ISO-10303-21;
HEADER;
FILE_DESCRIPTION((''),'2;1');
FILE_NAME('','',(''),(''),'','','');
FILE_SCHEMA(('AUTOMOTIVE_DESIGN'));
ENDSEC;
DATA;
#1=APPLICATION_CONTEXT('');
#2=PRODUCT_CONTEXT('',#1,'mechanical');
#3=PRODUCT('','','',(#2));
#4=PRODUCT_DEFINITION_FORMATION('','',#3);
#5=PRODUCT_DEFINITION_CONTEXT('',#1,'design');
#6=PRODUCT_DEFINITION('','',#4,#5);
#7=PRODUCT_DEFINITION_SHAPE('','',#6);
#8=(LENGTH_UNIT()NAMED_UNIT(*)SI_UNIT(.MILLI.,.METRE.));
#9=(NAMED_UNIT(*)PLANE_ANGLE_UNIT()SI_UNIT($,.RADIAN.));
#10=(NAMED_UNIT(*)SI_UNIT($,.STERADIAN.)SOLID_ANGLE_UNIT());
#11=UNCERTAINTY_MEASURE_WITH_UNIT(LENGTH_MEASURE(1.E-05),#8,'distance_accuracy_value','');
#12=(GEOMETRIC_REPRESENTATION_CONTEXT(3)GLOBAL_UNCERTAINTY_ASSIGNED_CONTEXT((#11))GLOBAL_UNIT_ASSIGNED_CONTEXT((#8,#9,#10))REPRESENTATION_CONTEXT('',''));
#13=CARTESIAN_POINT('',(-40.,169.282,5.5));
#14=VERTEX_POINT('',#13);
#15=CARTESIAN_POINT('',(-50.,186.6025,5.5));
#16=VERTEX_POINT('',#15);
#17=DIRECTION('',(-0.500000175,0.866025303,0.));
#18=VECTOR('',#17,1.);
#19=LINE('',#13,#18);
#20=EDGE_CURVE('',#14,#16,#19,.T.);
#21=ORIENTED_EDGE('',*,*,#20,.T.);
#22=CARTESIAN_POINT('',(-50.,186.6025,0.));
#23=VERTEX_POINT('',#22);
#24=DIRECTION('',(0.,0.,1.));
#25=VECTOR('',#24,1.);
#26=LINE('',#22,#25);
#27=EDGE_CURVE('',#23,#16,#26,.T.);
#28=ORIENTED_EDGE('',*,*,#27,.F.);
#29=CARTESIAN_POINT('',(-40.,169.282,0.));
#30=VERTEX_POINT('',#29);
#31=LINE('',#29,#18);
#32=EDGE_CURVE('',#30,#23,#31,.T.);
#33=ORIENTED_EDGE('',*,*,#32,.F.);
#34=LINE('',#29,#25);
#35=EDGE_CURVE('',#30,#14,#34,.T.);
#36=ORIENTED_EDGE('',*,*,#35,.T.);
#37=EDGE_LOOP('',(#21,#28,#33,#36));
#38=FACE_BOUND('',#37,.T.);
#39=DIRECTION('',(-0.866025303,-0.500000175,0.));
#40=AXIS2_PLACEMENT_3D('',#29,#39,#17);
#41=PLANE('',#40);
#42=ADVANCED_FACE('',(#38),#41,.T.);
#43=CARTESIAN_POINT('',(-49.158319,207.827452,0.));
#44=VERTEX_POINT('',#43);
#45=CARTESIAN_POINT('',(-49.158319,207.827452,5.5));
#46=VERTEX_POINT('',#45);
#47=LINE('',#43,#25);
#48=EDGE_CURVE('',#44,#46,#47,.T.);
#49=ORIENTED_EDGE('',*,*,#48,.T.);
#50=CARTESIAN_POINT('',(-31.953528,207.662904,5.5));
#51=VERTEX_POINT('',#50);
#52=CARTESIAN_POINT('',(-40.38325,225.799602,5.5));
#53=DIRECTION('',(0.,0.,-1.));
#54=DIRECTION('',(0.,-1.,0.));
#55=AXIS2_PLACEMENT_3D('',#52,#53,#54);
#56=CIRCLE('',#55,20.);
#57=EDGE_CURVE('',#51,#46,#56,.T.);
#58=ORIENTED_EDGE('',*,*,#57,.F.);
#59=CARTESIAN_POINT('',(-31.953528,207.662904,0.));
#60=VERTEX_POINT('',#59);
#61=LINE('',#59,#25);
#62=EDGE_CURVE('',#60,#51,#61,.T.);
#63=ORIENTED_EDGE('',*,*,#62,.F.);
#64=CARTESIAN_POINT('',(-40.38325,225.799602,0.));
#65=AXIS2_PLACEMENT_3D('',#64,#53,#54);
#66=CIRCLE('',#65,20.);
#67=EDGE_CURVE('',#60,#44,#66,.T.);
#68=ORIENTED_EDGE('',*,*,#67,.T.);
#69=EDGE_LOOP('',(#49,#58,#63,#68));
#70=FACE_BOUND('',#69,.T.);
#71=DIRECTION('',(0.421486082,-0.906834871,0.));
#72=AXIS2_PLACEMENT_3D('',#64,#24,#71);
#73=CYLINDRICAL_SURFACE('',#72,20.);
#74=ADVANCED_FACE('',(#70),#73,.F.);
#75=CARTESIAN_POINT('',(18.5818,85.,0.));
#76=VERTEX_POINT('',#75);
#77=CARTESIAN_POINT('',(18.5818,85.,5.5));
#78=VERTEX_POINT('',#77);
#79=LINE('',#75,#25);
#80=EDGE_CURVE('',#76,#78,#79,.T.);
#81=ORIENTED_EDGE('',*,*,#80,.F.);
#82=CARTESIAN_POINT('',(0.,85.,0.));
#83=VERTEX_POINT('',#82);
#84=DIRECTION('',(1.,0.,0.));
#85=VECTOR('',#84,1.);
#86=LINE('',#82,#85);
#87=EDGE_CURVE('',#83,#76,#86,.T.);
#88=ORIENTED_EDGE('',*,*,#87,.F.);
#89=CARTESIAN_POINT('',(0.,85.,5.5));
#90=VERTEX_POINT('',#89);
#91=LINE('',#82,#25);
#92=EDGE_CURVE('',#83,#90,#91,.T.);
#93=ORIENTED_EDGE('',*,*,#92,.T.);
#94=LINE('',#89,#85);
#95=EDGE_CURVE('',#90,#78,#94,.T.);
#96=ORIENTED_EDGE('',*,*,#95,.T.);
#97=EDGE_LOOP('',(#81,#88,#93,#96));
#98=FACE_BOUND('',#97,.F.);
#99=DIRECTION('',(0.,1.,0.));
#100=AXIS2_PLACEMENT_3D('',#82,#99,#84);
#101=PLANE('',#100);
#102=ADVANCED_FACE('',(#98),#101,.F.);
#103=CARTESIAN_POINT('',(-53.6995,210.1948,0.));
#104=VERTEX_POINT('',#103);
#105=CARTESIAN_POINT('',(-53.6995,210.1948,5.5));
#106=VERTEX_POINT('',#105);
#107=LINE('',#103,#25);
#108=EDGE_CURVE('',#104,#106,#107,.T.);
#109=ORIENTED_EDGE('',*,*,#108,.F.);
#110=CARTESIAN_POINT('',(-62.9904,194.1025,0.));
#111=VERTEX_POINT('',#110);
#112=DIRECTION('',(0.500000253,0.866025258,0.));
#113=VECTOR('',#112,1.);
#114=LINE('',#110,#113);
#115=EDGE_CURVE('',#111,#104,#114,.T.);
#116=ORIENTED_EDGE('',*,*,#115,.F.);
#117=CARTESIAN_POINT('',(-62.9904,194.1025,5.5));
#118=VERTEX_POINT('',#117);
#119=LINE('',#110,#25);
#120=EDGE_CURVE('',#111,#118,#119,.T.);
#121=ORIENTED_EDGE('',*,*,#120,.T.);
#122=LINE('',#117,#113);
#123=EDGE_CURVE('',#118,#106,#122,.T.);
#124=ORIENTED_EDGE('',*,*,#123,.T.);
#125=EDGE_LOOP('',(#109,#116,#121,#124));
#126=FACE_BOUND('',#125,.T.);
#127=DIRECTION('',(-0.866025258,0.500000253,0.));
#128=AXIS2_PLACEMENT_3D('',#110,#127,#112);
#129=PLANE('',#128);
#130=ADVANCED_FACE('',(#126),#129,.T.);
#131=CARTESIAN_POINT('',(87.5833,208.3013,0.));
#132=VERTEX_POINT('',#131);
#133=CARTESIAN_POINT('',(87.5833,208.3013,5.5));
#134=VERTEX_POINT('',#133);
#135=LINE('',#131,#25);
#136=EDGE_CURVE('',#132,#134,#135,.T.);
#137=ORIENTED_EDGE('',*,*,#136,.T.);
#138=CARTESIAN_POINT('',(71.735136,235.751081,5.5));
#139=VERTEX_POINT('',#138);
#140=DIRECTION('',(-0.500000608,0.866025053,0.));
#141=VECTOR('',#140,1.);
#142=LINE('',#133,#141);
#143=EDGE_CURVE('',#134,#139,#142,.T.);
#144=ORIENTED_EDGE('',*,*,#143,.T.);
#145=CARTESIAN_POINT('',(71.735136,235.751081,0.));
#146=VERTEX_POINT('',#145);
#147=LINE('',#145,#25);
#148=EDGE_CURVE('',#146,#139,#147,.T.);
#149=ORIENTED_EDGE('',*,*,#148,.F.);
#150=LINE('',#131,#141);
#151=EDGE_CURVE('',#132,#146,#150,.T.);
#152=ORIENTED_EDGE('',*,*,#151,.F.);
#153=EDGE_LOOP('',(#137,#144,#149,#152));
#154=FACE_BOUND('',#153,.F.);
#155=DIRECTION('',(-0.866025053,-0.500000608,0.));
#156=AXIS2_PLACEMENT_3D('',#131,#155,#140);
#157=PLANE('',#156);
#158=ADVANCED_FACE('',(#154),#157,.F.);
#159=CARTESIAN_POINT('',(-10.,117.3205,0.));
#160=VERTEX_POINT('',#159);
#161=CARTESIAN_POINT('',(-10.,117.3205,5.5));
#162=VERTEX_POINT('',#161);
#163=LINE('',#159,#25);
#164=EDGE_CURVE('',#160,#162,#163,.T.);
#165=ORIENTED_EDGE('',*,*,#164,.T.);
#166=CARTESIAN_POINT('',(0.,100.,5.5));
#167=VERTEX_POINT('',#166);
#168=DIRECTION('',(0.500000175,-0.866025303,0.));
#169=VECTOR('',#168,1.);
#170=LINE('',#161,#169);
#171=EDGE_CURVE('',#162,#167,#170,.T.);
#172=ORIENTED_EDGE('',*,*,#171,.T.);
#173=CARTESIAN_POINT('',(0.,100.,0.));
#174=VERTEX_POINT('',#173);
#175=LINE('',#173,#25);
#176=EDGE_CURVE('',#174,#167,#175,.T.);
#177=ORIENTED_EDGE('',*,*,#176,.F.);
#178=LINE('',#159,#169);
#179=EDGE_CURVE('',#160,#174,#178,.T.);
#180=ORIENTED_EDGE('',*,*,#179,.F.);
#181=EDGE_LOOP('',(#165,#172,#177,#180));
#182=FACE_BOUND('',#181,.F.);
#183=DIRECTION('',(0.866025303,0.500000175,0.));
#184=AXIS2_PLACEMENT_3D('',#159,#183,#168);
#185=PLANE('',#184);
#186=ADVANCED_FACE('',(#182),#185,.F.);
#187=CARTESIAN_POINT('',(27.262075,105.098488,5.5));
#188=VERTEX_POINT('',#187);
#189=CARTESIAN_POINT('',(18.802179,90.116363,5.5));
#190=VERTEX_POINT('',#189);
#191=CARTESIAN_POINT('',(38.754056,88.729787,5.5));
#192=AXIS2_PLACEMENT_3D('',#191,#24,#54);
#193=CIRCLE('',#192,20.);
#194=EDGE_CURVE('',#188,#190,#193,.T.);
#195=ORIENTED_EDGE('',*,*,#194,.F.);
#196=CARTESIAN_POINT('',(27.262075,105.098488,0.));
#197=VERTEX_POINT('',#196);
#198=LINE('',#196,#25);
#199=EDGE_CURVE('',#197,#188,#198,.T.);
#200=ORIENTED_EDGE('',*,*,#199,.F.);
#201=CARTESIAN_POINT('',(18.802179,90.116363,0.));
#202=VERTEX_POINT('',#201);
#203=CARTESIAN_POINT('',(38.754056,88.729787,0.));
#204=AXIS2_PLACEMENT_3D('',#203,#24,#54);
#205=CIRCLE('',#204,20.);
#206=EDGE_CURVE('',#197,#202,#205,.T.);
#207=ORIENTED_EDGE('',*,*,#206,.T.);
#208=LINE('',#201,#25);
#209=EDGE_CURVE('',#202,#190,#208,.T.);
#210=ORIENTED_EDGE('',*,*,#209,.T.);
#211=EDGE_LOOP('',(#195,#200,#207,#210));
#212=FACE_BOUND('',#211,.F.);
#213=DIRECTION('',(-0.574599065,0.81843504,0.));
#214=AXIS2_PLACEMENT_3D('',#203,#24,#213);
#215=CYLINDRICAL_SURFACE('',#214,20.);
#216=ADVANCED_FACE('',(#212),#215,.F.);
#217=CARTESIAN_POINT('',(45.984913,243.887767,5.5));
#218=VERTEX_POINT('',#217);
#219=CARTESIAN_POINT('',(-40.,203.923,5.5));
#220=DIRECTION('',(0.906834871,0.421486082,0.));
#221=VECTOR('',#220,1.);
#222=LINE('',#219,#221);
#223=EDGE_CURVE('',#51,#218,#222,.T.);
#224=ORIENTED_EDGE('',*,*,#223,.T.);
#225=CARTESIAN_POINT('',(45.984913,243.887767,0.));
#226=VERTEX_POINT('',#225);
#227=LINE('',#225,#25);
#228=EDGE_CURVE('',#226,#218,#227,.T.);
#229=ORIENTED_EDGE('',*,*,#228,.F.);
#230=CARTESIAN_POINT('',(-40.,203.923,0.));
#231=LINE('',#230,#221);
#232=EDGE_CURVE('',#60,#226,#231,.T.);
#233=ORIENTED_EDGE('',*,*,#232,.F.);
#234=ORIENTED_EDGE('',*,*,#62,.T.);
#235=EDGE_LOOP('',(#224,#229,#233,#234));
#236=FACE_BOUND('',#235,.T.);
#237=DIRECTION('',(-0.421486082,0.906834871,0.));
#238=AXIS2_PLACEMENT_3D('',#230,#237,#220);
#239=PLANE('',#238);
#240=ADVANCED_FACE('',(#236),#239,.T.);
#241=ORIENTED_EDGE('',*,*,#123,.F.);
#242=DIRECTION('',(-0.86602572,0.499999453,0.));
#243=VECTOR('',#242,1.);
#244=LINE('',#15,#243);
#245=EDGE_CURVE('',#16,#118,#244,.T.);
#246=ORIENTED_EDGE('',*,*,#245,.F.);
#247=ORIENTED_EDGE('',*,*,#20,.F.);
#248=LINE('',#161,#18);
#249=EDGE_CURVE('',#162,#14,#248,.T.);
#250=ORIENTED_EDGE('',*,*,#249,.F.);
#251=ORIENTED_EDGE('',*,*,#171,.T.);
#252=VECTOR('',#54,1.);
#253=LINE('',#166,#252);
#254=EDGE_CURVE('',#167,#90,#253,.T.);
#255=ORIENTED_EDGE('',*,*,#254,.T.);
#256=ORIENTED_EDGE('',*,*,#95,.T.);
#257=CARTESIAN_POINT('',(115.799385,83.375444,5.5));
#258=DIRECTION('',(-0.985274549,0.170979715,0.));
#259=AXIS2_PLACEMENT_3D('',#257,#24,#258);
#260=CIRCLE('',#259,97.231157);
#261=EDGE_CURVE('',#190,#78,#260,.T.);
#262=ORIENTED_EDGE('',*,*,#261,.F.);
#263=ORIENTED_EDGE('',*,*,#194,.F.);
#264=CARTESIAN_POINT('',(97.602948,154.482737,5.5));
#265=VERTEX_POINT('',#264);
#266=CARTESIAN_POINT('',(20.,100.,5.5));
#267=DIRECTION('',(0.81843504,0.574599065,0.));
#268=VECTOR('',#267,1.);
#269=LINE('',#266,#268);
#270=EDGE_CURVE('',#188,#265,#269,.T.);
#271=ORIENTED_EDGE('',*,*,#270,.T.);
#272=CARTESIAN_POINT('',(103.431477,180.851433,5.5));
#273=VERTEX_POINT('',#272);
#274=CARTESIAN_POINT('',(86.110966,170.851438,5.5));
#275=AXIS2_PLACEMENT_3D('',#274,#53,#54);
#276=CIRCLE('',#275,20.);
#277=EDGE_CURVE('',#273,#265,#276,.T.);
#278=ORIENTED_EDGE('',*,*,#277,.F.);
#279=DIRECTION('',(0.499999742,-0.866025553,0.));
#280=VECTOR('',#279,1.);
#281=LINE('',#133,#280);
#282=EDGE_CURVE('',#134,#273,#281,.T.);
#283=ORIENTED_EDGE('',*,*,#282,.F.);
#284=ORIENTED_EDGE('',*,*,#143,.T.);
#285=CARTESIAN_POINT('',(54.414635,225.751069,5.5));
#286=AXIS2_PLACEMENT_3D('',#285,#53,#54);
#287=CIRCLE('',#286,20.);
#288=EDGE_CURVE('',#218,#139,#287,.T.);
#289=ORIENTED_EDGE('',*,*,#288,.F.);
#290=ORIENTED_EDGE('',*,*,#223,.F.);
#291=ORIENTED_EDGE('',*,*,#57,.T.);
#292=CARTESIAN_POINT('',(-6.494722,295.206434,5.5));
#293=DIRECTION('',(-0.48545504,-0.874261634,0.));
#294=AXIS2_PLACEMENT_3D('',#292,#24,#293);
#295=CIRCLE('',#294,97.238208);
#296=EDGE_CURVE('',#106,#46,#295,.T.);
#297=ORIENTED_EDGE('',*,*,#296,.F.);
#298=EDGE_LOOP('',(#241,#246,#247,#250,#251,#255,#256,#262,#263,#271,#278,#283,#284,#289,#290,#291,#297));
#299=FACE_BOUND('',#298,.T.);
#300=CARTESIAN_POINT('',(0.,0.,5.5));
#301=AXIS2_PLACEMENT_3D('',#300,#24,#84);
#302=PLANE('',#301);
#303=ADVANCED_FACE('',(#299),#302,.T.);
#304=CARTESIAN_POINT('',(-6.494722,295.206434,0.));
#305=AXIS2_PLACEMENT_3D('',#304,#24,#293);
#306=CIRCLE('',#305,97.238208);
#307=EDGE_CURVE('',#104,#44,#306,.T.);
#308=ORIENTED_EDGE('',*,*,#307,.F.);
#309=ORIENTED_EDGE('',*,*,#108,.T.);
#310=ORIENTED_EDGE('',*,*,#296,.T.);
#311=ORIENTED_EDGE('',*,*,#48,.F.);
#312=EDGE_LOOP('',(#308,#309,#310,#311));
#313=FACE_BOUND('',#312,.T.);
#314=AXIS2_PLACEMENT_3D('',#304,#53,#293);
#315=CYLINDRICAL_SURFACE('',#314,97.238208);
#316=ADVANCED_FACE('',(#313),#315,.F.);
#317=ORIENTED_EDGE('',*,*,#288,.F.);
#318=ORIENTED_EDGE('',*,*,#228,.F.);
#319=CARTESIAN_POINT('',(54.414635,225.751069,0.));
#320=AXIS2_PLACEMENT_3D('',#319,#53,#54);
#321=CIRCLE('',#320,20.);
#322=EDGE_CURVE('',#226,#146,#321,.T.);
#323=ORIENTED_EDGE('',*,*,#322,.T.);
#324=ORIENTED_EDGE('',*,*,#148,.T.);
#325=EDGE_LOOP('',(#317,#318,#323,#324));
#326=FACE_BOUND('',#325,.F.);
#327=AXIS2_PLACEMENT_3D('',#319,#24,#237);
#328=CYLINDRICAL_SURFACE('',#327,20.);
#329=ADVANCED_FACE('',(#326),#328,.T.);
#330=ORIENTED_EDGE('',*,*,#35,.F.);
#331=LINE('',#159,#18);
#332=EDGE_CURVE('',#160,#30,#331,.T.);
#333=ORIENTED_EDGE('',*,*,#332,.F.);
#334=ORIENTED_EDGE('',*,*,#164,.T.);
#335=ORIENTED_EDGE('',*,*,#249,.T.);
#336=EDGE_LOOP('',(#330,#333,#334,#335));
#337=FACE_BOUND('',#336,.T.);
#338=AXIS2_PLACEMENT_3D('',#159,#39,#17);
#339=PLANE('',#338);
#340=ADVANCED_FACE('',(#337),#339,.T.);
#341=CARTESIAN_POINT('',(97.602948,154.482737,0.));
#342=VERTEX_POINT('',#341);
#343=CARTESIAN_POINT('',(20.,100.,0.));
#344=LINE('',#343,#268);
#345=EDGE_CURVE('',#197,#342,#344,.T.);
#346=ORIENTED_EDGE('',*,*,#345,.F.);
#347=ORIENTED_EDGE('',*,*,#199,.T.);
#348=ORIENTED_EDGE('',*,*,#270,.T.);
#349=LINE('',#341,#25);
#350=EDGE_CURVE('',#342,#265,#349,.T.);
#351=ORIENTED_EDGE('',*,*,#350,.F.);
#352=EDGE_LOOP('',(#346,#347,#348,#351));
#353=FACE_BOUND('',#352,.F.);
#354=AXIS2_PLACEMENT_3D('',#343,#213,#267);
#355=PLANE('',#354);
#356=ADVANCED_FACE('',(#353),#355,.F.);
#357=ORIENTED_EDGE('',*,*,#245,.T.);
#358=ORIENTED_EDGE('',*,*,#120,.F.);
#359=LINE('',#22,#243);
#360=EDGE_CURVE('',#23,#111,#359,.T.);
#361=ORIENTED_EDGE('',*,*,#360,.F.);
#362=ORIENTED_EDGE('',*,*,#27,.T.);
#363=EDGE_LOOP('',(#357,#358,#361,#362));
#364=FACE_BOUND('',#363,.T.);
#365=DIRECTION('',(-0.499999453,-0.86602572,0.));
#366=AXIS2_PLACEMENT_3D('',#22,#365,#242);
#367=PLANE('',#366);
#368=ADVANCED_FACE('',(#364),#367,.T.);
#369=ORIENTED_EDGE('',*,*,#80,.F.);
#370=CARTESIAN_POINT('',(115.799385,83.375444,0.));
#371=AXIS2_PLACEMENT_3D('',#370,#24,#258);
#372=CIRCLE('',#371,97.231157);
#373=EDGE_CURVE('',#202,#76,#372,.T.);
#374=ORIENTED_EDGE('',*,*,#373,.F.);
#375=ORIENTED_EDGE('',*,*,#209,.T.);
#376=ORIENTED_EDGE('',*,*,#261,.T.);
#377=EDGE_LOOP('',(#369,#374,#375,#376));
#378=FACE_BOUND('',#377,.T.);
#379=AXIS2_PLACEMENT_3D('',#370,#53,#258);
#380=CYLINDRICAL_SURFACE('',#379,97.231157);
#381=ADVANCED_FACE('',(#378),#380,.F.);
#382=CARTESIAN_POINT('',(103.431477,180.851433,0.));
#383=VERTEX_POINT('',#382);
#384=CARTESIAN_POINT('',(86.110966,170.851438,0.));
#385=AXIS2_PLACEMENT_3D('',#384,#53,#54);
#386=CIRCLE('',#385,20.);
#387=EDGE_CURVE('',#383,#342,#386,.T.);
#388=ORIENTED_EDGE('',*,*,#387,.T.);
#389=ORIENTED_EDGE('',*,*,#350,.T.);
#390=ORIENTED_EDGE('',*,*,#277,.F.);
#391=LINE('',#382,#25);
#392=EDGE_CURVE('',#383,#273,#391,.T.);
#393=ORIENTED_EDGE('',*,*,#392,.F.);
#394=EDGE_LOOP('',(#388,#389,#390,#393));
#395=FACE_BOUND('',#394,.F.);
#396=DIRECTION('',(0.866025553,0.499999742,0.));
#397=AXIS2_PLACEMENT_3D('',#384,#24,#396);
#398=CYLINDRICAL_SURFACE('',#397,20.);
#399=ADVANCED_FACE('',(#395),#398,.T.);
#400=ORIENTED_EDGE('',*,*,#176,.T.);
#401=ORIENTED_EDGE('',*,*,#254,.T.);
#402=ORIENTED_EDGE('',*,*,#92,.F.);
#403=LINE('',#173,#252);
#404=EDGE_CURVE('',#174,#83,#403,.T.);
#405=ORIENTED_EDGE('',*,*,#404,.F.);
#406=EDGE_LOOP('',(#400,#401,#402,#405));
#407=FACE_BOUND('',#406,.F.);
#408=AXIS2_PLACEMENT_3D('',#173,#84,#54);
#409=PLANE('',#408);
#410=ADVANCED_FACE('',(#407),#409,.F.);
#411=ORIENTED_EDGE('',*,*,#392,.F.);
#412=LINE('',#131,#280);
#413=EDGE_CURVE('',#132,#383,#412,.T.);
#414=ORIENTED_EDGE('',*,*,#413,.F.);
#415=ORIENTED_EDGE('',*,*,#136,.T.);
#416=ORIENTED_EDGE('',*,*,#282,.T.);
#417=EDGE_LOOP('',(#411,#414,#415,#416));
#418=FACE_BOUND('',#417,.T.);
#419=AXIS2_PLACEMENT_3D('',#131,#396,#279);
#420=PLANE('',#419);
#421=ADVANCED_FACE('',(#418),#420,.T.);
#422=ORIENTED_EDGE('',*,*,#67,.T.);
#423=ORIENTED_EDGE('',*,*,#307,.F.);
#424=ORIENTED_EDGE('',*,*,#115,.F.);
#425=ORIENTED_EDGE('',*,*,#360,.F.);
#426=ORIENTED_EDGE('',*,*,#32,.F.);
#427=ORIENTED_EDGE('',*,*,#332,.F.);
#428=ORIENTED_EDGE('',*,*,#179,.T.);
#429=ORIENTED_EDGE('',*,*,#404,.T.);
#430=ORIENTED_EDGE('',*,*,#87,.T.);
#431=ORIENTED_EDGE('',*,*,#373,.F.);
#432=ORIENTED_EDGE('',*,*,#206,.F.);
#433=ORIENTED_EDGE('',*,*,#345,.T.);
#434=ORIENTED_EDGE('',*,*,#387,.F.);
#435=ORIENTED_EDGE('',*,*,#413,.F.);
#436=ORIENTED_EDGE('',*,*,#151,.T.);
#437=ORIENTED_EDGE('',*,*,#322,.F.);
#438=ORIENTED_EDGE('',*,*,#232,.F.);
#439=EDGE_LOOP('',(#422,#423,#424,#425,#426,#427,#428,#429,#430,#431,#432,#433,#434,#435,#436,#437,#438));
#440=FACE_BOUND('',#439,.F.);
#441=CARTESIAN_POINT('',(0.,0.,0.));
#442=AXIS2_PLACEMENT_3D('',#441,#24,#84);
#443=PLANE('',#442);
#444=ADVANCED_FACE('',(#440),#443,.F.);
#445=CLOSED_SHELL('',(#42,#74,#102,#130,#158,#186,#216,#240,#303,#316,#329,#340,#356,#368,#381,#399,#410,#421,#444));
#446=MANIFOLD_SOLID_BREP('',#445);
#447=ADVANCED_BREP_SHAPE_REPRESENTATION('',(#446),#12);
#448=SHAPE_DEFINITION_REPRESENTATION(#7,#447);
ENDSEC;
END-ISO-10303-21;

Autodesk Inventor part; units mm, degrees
ref_plane "YZ Plane" through (0, 0, 0) normal (1, 0, 0) x (0, 1, 0)
ref_plane "XZ Plane" through (0, 0, 0) normal (0, 1, 0) x (-1, 0, 0)
ref_plane "XY Plane" through (0, 0, 0) normal (0, 0, 1) x (1, 0, 0)
sketch "Sketch1" plane through (0, 0, 0) normal (0, 0, 1) x (1, 0, 0)
  arc A0 (20, 100) -> (18.5818, 85) centre (115.8042, 83.3748) ccw
  arc A1 (-53.6995, 210.1948) -> (-40, 203.923) centre (-6.4957, 295.2045) ccw
  line L0 (-10, 117.3205) -> (0, 100)
  line L1 (-40, 169.282) -> (-50, 186.6025)
  line L2 (0, 100) -> (0, 85)
  line L3 (0, 85) -> (18.5818, 85)
  line L4 (-10, 117.3205) -> (-40, 169.282)
  line L5 (-50, 186.6025) -> (-62.9904, 194.1025)
  line L6 (-62.9904, 194.1025) -> (-53.6995, 210.1948)
  line L7 (87.5833, 208.3013) -> (62.5833, 251.6025)
  line L8 (87.5833, 208.3013) -> (112.5833, 165)
  line L9 (-40, 203.923) -> (62.5833, 251.6025)
  line L10 (20, 100) -> (112.5833, 165)
  dimension "d14" = 15
  dimension "d47" = 15
  dimension "d49" = 50
  dimension "d50" = 50
extrude "Extrusion4" add sketch "Sketch1" along normal blind 5.5
fillet "Fillet1" radius 20 2 edges at (112.5833, 165, 2.75) (62.5833, 251.6025, 2.75)
fillet "Fillet2" radius 20 2 edges at (20, 100, 2.75) (-40, 203.923, 2.75)
properties part number "brazos"
